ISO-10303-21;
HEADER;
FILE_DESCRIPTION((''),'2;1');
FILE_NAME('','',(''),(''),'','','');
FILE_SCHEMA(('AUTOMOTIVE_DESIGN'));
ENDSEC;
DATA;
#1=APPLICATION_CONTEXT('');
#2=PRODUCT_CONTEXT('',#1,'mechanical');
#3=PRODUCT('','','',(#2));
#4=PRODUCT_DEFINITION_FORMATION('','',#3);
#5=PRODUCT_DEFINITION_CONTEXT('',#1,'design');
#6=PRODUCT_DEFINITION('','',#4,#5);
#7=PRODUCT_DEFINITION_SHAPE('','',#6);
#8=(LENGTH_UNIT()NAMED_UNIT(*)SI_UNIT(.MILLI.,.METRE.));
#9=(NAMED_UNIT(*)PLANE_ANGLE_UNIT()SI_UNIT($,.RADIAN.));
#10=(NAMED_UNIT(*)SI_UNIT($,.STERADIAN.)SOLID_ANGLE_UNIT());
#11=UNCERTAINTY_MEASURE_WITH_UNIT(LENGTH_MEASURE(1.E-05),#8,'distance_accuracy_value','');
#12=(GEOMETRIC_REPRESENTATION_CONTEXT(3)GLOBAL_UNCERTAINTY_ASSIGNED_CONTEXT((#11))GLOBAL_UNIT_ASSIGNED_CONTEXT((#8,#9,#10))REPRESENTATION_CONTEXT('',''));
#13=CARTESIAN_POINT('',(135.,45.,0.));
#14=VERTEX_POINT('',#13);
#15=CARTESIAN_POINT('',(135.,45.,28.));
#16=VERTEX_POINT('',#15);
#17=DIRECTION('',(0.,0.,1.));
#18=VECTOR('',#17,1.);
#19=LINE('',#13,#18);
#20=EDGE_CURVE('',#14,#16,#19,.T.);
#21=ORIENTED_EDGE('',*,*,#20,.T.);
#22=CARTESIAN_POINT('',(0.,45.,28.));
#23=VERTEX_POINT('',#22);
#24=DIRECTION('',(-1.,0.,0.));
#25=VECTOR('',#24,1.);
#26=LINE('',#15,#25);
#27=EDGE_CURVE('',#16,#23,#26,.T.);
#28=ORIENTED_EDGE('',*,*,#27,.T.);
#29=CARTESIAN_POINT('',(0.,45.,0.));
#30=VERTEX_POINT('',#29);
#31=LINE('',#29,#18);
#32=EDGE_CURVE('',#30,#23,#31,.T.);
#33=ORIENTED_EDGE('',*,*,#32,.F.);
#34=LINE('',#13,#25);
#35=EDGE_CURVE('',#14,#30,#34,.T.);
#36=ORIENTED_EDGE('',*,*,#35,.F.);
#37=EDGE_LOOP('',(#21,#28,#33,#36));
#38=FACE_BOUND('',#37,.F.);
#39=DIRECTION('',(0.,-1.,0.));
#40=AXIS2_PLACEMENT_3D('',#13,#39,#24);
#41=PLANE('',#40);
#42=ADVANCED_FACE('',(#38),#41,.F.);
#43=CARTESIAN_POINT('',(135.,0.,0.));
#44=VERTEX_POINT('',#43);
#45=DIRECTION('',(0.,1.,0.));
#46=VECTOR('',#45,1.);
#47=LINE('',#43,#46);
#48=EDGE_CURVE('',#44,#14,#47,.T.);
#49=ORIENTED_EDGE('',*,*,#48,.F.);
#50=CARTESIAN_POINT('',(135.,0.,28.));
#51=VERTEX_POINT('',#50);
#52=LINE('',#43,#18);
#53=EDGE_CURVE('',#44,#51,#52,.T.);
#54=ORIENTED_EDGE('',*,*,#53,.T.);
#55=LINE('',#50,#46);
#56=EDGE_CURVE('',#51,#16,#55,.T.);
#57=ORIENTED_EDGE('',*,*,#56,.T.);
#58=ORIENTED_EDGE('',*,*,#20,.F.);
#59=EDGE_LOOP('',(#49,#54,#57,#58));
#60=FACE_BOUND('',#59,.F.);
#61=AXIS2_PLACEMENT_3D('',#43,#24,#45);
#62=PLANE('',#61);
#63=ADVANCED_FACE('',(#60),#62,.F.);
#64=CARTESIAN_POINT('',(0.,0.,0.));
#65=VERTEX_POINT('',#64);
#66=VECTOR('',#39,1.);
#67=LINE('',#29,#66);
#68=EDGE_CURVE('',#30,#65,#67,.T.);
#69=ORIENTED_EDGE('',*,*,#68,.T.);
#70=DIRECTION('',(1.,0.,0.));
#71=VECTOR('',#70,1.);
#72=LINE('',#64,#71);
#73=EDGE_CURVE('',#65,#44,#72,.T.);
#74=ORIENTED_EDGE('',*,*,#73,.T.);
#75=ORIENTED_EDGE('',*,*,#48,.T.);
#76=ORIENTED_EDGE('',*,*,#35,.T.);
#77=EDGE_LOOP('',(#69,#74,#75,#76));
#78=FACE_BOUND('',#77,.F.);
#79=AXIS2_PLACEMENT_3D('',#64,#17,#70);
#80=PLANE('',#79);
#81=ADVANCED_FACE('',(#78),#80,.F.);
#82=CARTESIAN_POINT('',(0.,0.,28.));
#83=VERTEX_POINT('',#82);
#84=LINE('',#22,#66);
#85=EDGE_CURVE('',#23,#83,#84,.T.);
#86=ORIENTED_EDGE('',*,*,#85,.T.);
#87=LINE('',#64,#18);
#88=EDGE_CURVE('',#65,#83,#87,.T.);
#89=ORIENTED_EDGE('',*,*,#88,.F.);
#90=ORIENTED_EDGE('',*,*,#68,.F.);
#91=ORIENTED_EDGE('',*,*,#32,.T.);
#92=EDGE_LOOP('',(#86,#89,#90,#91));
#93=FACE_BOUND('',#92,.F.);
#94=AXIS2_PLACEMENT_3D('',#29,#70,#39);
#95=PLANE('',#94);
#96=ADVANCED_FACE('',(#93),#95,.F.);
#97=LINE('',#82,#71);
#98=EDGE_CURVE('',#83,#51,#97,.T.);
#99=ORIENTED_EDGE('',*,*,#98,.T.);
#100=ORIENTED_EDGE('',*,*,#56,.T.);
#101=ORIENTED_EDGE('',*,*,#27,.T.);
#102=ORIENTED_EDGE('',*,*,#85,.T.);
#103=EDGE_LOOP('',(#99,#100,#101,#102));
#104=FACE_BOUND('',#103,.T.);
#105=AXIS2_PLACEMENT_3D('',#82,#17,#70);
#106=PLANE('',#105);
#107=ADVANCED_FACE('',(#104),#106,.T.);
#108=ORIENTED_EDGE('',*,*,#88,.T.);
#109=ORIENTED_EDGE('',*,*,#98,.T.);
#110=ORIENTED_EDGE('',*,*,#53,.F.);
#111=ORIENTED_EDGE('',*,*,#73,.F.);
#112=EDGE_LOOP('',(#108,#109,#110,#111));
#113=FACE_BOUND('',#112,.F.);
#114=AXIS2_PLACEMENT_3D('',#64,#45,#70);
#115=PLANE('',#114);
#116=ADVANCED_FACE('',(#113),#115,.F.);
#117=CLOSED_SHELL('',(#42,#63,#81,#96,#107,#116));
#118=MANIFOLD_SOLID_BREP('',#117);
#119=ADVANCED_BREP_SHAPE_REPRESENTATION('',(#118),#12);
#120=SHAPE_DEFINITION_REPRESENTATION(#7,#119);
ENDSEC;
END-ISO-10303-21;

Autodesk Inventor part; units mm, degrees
ref_plane "YZ Plane" through (0, 0, 0) normal (1, 0, 0) x (0, 1, 0)
ref_plane "XZ Plane" through (0, 0, 0) normal (0, 1, 0) x (-1, 0, 0)
ref_plane "XY Plane" through (0, 0, 0) normal (0, 0, 1) x (1, 0, 0)
sketch "Sketch1" plane through (0, 0, 0) normal (0, 0, 1) x (1, 0, 0)
  line L0 (0, 0) -> (135, 0)
  line L1 (135, 0) -> (135, 45)
  line L2 (135, 45) -> (0, 45)
  line L3 (0, 45) -> (0, 0)
  dimension "d0" = 135
  dimension "d1" = 45
extrude "Extrusion1" add sketch "Sketch1" along normal blind 28
properties part number "battery"
